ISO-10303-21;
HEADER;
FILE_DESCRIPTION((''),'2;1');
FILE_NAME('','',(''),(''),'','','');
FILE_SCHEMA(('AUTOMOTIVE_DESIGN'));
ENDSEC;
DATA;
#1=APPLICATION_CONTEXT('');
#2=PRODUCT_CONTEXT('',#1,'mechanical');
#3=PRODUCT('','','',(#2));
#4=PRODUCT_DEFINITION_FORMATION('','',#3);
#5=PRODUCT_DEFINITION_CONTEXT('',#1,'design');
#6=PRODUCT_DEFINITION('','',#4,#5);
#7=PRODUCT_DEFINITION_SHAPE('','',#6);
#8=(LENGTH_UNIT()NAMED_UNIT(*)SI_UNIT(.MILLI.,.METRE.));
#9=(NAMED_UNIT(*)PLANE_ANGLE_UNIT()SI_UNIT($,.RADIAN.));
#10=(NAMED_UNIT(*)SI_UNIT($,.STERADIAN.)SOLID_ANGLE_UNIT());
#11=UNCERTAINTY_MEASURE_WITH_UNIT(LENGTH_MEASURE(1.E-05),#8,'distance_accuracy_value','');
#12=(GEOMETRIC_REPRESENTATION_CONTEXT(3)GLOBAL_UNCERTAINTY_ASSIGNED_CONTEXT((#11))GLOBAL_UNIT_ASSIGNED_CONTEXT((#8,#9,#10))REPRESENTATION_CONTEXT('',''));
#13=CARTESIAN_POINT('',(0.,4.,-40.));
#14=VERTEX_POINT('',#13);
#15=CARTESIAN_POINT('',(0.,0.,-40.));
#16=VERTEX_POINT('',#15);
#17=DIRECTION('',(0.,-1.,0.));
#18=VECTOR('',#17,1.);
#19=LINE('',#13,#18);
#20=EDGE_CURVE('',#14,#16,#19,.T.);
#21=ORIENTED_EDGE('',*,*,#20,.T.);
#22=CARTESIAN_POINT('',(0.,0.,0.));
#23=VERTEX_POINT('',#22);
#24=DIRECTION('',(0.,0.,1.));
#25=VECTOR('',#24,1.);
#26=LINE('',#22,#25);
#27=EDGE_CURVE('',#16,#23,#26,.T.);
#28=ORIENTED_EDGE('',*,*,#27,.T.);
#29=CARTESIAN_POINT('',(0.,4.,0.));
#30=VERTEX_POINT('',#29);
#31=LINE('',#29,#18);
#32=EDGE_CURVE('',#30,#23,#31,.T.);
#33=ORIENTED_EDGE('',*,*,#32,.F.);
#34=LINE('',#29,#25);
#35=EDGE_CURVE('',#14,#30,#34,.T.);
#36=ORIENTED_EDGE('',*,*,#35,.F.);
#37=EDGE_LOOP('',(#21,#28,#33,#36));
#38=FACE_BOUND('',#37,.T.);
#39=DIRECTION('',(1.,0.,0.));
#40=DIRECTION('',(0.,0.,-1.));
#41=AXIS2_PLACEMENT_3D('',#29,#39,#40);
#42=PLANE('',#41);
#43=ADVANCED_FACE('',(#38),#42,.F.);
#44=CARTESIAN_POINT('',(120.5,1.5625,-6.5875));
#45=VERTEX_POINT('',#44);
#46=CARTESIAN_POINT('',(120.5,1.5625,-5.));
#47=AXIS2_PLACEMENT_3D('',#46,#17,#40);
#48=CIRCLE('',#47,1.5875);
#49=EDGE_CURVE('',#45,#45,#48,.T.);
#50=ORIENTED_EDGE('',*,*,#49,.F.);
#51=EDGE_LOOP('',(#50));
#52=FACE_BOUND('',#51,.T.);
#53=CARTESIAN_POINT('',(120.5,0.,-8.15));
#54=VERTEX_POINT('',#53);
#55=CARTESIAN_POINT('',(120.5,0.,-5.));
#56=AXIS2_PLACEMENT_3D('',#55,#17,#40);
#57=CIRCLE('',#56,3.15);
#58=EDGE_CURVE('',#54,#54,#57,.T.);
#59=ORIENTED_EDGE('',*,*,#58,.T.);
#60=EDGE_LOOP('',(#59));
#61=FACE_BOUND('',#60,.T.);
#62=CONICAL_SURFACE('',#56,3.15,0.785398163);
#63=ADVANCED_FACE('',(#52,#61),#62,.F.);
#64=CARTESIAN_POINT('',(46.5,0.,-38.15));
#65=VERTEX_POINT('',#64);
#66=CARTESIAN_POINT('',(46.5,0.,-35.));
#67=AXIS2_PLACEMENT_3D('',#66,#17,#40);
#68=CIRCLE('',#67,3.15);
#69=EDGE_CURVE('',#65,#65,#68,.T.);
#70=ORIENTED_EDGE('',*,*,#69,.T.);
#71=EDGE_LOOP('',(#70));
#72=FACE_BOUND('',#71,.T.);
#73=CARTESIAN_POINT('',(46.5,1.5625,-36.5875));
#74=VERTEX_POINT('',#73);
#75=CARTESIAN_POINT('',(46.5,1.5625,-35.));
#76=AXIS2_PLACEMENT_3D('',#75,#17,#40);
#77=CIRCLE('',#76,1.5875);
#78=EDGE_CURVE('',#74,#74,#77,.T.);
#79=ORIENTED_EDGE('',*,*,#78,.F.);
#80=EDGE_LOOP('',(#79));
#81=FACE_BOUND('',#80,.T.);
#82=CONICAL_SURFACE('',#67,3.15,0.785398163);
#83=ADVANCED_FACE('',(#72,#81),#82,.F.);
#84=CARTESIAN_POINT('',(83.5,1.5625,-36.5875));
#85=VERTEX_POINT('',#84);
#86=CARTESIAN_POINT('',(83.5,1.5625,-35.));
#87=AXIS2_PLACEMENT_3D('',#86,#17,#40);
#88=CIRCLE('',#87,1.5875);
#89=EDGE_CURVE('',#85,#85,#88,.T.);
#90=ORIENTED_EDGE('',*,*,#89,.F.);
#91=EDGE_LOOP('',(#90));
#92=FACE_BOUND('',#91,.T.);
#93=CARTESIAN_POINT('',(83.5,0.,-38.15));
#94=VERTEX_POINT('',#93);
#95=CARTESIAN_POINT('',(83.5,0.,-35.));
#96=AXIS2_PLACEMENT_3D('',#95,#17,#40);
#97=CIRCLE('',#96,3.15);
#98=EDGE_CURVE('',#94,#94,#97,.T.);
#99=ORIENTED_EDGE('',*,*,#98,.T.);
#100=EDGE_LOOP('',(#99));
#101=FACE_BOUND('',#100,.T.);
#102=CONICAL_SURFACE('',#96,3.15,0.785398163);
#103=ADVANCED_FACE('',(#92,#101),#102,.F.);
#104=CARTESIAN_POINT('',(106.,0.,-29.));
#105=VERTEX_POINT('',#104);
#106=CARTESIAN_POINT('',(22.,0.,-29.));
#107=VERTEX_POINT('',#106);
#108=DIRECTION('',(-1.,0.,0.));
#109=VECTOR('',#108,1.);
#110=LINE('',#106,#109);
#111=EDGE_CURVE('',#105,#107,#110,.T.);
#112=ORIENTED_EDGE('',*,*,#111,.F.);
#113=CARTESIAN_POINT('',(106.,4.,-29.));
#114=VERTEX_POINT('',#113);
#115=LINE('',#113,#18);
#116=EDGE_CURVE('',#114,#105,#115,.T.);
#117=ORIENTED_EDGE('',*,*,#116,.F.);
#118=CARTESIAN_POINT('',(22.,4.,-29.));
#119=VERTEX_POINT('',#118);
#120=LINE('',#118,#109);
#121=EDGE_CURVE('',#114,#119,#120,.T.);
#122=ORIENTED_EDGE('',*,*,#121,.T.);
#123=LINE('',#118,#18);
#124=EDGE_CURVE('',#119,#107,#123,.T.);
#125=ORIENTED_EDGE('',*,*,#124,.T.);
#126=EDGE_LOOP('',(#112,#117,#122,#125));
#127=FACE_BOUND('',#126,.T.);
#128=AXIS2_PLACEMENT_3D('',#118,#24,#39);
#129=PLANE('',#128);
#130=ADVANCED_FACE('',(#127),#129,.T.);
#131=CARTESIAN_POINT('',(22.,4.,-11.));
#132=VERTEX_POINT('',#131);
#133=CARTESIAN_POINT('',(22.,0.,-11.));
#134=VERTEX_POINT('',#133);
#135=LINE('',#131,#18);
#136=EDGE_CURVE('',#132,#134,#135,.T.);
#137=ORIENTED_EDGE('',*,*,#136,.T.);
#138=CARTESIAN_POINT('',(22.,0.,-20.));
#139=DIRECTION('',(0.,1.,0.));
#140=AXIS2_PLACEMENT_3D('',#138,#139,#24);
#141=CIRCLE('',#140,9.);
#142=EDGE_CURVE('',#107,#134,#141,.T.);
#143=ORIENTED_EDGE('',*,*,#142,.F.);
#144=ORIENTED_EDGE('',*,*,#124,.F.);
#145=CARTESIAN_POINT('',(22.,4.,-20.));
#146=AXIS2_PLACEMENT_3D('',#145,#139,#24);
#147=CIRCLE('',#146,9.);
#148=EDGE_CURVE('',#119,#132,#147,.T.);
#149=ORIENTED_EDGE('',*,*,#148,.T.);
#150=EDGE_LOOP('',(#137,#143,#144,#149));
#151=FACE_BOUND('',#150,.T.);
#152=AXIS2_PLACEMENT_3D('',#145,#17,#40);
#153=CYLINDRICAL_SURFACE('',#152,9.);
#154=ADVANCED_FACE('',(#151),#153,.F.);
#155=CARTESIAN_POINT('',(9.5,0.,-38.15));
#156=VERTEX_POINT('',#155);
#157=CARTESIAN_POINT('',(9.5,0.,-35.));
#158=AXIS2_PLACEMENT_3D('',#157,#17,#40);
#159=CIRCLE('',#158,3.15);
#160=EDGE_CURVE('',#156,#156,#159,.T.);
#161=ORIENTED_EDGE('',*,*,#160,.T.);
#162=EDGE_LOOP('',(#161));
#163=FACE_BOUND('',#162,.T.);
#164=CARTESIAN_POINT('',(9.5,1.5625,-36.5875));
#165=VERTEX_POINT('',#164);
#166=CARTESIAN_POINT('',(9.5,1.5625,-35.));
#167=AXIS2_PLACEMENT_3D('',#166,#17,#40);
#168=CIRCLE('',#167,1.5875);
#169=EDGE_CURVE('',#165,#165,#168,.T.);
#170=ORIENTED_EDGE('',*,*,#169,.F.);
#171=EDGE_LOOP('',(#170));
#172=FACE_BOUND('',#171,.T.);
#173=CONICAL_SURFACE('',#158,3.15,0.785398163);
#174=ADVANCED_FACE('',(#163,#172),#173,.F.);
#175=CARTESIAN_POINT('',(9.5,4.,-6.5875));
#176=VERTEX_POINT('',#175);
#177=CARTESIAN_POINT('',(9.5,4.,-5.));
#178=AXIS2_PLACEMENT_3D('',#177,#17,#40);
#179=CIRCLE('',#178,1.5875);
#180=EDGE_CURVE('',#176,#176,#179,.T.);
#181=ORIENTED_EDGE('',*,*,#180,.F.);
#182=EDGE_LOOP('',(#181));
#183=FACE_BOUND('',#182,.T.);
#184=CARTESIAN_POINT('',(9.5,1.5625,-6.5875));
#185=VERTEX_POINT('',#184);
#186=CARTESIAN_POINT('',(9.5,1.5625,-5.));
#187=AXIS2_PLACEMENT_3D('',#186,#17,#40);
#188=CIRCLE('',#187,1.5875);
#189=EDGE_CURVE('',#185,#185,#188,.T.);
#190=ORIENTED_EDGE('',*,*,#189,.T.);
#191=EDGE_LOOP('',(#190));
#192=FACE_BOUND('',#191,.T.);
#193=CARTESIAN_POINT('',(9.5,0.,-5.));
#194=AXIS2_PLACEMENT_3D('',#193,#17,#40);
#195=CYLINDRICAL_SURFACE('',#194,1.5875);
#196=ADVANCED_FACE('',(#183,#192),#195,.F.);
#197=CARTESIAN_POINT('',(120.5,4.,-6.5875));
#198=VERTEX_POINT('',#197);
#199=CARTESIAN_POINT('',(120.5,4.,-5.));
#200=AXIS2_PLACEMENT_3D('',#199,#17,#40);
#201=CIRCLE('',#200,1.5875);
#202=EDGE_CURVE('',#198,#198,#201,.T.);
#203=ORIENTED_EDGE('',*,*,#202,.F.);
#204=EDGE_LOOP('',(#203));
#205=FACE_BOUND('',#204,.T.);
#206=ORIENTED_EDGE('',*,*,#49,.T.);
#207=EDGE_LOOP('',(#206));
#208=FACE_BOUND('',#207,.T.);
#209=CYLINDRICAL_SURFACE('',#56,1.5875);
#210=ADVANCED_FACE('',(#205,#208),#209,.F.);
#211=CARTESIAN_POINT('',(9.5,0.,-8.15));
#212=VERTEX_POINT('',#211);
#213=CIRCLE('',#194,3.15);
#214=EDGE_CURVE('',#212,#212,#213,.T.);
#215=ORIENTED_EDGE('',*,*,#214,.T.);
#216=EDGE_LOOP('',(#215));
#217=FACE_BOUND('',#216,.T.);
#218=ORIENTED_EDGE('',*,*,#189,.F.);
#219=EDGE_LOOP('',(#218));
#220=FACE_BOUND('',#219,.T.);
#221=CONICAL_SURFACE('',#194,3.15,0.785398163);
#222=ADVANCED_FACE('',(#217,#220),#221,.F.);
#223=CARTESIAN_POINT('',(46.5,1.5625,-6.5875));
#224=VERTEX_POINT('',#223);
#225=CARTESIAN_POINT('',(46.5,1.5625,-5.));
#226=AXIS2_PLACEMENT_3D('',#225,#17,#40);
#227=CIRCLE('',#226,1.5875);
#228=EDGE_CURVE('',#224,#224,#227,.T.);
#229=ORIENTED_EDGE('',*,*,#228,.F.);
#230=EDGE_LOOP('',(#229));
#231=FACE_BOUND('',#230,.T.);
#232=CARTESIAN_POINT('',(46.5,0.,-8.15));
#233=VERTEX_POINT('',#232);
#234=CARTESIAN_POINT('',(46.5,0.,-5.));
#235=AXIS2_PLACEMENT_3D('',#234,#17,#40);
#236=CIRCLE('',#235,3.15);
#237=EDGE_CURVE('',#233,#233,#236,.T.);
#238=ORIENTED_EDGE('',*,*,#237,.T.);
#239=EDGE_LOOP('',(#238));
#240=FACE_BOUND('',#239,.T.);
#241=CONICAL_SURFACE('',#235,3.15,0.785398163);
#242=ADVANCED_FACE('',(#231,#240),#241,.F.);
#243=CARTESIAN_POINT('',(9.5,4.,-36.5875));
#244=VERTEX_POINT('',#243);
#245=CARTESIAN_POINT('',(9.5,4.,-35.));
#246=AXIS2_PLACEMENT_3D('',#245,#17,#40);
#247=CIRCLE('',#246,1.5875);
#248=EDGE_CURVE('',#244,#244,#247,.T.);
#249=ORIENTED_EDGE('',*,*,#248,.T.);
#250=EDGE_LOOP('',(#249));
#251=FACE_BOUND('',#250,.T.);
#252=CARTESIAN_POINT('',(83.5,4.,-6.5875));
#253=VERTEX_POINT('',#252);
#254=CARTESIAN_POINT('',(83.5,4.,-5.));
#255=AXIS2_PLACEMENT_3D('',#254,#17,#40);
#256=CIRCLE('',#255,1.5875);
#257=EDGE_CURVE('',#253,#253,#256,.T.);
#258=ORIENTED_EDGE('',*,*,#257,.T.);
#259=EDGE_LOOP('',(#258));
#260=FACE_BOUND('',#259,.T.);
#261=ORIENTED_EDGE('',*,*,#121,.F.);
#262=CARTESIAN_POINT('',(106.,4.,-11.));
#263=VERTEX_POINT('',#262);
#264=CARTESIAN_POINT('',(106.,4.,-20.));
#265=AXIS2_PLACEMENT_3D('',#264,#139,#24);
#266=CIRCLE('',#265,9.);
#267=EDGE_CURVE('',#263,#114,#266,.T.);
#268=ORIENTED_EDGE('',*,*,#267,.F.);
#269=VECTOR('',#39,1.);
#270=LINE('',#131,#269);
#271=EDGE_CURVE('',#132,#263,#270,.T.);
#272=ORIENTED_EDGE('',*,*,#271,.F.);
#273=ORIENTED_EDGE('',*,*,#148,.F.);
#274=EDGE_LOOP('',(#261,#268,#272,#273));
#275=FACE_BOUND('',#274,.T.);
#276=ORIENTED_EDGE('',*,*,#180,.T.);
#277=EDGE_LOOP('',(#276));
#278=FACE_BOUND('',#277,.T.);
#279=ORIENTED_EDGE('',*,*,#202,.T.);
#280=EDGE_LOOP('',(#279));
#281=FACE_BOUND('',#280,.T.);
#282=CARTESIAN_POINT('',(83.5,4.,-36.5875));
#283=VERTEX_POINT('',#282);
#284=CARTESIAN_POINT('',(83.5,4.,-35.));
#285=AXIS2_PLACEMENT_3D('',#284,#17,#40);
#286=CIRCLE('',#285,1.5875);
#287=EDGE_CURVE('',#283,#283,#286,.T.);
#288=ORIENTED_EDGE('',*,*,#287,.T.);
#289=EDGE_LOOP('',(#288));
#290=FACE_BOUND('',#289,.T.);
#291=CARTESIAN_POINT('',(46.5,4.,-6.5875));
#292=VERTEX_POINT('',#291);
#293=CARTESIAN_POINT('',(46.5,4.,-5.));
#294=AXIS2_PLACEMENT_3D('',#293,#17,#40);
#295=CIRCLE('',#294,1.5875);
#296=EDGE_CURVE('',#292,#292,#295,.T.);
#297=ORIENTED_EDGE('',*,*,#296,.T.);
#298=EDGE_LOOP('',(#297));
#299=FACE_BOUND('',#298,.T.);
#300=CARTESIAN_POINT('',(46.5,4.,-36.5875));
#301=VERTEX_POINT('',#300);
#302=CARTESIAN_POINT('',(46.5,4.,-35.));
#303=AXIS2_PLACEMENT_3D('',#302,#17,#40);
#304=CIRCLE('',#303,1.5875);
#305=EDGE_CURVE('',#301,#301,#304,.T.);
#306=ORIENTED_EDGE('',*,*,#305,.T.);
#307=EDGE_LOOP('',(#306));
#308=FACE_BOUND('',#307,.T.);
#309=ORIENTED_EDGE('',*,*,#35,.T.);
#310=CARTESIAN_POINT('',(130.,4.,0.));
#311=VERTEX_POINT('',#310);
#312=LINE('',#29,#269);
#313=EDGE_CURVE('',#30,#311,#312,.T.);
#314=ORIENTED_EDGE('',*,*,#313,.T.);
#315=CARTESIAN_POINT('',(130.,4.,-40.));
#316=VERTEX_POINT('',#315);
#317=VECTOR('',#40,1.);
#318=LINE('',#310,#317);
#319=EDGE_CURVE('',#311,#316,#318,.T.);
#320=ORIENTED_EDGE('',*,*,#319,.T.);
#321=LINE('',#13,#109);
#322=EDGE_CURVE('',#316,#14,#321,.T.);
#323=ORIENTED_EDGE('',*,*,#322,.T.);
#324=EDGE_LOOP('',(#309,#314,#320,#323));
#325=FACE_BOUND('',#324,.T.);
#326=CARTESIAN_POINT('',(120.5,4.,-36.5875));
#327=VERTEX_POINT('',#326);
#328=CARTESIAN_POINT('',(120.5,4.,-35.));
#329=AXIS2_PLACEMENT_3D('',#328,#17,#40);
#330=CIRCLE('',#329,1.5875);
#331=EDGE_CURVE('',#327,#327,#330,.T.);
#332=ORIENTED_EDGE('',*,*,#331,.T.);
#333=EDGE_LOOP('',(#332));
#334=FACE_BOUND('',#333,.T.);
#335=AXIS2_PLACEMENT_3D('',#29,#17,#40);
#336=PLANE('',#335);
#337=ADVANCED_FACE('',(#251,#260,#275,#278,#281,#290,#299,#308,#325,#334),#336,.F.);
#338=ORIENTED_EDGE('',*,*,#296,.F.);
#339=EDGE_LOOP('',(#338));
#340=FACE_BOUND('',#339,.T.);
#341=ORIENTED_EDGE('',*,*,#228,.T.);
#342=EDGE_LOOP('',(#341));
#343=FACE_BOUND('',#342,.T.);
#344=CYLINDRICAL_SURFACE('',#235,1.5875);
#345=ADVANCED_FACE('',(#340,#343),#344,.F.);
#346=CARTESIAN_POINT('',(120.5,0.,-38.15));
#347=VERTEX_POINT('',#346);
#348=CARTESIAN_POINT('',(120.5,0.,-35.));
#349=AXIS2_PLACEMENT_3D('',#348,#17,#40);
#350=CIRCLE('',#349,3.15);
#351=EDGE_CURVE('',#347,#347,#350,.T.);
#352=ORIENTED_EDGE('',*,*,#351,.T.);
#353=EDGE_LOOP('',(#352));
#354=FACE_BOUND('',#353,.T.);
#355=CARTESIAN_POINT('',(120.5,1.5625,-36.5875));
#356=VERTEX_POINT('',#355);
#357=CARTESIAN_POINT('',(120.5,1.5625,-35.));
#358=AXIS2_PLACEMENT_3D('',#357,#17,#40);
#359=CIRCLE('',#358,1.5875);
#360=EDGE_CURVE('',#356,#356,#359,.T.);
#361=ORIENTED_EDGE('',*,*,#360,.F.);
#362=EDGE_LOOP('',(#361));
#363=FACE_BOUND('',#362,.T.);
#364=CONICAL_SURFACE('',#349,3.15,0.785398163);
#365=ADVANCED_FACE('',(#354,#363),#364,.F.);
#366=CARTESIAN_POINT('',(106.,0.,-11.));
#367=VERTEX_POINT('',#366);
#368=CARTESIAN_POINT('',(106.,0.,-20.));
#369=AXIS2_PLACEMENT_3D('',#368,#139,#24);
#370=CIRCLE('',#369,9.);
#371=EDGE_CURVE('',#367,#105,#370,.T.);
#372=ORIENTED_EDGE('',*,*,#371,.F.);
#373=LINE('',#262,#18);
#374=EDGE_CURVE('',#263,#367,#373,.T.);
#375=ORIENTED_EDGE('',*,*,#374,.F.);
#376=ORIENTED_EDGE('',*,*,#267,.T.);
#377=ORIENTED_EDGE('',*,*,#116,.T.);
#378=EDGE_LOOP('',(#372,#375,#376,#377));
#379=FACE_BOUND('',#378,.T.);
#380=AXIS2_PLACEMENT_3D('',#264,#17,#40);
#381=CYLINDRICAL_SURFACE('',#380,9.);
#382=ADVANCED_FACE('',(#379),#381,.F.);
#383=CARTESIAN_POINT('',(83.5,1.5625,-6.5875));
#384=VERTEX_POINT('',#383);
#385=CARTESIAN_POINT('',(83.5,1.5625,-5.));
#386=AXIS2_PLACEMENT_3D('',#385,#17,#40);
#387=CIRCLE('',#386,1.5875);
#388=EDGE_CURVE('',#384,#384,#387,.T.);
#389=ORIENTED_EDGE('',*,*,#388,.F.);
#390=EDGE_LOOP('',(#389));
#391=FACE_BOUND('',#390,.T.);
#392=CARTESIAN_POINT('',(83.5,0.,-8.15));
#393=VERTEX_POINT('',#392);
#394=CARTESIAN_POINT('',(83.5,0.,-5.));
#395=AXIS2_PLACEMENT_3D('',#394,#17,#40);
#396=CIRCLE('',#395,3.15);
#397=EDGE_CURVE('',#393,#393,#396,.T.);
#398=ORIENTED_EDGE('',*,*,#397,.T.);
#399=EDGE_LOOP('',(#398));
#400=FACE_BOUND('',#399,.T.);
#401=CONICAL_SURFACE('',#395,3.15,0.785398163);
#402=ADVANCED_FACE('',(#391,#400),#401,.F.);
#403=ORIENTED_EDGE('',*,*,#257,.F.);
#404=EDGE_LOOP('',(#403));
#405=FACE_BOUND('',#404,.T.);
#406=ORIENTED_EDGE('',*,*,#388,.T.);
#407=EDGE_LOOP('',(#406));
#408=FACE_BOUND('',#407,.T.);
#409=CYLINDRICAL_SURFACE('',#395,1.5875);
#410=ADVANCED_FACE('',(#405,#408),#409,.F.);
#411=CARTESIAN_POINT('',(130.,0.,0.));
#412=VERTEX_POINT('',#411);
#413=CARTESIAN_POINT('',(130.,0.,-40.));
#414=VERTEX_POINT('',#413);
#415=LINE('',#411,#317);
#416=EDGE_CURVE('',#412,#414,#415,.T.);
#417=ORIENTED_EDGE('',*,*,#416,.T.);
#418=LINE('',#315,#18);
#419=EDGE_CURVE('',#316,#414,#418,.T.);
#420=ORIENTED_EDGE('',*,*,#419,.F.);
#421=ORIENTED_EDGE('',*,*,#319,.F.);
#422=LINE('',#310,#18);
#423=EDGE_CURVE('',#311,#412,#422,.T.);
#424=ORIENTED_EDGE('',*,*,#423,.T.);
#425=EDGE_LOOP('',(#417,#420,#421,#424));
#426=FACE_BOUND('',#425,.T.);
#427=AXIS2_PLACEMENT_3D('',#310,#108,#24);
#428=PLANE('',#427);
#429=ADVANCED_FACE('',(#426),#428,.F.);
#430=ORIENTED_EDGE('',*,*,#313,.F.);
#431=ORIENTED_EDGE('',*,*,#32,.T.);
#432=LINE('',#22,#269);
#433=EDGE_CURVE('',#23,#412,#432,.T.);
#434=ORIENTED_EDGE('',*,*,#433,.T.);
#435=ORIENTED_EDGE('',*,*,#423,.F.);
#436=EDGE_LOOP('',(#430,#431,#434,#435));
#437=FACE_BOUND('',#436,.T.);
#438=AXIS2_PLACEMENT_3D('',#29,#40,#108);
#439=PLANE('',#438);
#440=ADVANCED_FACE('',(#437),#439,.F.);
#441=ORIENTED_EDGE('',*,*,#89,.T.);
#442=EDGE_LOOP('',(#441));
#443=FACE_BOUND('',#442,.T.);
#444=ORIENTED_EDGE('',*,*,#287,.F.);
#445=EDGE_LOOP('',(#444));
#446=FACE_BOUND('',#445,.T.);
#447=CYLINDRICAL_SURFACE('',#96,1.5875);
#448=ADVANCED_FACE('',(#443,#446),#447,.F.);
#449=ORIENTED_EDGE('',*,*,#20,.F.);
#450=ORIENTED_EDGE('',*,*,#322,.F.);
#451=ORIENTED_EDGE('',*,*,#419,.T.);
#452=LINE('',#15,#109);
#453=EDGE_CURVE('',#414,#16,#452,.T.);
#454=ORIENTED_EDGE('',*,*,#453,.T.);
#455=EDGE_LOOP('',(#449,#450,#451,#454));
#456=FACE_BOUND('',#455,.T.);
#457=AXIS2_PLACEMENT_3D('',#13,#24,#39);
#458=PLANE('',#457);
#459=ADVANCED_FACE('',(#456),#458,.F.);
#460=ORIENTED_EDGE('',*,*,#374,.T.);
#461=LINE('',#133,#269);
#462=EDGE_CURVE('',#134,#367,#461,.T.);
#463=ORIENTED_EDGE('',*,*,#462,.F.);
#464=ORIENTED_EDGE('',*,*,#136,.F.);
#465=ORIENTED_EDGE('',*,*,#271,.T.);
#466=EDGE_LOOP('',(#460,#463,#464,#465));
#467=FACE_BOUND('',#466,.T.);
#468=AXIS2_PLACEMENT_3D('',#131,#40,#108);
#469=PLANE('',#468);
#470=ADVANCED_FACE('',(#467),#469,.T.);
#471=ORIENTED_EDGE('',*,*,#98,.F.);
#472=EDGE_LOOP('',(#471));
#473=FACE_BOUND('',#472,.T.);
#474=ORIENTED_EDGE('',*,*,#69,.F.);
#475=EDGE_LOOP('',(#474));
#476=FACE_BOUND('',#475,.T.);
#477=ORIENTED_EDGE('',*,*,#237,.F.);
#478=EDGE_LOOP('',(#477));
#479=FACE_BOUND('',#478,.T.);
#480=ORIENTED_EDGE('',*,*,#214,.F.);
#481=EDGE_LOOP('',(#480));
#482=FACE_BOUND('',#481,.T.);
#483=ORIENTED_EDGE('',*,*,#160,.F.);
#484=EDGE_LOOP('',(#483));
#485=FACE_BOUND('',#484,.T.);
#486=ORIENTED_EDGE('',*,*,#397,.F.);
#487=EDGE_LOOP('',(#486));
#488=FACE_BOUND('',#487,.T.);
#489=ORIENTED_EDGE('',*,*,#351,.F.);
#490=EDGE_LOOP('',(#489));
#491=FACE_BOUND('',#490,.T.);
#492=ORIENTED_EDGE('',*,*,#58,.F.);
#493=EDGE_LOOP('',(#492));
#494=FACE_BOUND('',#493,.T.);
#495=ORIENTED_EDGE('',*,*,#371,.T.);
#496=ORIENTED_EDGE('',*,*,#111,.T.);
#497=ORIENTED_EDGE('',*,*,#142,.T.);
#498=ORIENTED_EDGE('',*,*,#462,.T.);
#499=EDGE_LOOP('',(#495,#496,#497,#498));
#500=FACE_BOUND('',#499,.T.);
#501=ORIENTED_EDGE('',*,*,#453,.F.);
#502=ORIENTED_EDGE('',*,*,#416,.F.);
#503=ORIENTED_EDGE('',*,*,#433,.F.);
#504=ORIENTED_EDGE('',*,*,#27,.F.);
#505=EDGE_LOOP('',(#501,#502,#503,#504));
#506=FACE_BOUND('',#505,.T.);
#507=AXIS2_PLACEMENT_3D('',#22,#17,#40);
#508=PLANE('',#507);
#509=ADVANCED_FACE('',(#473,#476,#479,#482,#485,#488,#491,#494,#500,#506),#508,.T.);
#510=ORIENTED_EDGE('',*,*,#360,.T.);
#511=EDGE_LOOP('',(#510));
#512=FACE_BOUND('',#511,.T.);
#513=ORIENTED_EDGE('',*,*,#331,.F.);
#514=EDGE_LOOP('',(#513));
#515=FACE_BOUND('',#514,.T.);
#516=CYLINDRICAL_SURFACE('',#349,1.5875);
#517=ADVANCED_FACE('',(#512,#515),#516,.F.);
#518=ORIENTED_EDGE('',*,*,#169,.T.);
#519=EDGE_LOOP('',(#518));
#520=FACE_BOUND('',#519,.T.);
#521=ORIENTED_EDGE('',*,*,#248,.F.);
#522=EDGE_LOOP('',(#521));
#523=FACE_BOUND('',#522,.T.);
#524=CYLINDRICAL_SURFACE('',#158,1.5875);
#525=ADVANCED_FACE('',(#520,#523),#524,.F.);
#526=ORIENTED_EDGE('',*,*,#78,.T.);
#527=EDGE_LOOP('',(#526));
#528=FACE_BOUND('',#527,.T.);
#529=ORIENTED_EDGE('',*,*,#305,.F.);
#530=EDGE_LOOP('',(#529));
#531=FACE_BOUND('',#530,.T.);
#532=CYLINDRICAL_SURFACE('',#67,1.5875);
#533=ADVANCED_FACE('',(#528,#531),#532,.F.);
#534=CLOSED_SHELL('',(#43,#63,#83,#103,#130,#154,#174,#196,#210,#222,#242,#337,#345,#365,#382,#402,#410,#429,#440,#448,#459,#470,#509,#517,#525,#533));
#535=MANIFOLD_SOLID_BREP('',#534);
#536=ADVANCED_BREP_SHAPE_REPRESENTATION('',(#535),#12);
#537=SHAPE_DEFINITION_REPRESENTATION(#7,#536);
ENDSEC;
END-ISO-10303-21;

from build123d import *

# Parameters (mm, degrees)
ESBO_O1_W                 = 130
ESBO_O1_H                 = 40
RESSALTO_EXTRUS_O1_DEPTH  = 4
PADR_O_LINEAR1_COUNT      = 4
PADR_O_LINEAR1_PITCH      = 37
PADR_O_LINEAR1_COUNT_DIR2 = 2
PADR_O_LINEAR1_PITCH_DIR2 = 30


with BuildPart() as part:
    # Esboço1 → Ressalto-extrusão1 (new body)
    with BuildSketch(Plane(origin=(0, 0, 0), x_dir=(1, 0, 0), z_dir=(0, 1, 0))):
        with Locations((65, 20)):
            Rectangle(ESBO_O1_W, ESBO_O1_H)
        with BuildLine():
            Line((22, 29), (106, 29))
            ThreePointArc((106, 29), (115, 20), (106, 11))
            Line((106, 11), (22, 11))
            ThreePointArc((22, 11), (13, 20), (22, 29))
        make_face(mode=Mode.SUBTRACT)
    extrude(amount=RESSALTO_EXTRUS_O1_DEPTH)

    # Esboço4 → Escareado para parafuso com cabeça escareada elevada de M31 (revolve, cut)
    with BuildSketch(Plane(origin=(9.5, 0, -35), x_dir=(0, 0, -1), z_dir=(1, 0, 0))):
        Polygon((0, 0), (0, 13.953866233), (1.5875, 13), (1.5875, 1.5625), (3.15, 0), align=None)
    escareado_para_parafuso_com_cabe_a_escar = revolve(axis=Axis((9.5, -6.35, -35), (0, 1, 0)), mode=Mode.SUBTRACT)

    # Padrão linear1: Escareado para parafuso com cabe_a escar 4 × 2
    with Locations(*[(i * PADR_O_LINEAR1_PITCH, 0, j * PADR_O_LINEAR1_PITCH_DIR2) for i in range(PADR_O_LINEAR1_COUNT) for j in range(PADR_O_LINEAR1_COUNT_DIR2) if (i, j) != (0, 0)]):
        add(escareado_para_parafuso_com_cabe_a_escar, mode=Mode.SUBTRACT)


solid = part.part
